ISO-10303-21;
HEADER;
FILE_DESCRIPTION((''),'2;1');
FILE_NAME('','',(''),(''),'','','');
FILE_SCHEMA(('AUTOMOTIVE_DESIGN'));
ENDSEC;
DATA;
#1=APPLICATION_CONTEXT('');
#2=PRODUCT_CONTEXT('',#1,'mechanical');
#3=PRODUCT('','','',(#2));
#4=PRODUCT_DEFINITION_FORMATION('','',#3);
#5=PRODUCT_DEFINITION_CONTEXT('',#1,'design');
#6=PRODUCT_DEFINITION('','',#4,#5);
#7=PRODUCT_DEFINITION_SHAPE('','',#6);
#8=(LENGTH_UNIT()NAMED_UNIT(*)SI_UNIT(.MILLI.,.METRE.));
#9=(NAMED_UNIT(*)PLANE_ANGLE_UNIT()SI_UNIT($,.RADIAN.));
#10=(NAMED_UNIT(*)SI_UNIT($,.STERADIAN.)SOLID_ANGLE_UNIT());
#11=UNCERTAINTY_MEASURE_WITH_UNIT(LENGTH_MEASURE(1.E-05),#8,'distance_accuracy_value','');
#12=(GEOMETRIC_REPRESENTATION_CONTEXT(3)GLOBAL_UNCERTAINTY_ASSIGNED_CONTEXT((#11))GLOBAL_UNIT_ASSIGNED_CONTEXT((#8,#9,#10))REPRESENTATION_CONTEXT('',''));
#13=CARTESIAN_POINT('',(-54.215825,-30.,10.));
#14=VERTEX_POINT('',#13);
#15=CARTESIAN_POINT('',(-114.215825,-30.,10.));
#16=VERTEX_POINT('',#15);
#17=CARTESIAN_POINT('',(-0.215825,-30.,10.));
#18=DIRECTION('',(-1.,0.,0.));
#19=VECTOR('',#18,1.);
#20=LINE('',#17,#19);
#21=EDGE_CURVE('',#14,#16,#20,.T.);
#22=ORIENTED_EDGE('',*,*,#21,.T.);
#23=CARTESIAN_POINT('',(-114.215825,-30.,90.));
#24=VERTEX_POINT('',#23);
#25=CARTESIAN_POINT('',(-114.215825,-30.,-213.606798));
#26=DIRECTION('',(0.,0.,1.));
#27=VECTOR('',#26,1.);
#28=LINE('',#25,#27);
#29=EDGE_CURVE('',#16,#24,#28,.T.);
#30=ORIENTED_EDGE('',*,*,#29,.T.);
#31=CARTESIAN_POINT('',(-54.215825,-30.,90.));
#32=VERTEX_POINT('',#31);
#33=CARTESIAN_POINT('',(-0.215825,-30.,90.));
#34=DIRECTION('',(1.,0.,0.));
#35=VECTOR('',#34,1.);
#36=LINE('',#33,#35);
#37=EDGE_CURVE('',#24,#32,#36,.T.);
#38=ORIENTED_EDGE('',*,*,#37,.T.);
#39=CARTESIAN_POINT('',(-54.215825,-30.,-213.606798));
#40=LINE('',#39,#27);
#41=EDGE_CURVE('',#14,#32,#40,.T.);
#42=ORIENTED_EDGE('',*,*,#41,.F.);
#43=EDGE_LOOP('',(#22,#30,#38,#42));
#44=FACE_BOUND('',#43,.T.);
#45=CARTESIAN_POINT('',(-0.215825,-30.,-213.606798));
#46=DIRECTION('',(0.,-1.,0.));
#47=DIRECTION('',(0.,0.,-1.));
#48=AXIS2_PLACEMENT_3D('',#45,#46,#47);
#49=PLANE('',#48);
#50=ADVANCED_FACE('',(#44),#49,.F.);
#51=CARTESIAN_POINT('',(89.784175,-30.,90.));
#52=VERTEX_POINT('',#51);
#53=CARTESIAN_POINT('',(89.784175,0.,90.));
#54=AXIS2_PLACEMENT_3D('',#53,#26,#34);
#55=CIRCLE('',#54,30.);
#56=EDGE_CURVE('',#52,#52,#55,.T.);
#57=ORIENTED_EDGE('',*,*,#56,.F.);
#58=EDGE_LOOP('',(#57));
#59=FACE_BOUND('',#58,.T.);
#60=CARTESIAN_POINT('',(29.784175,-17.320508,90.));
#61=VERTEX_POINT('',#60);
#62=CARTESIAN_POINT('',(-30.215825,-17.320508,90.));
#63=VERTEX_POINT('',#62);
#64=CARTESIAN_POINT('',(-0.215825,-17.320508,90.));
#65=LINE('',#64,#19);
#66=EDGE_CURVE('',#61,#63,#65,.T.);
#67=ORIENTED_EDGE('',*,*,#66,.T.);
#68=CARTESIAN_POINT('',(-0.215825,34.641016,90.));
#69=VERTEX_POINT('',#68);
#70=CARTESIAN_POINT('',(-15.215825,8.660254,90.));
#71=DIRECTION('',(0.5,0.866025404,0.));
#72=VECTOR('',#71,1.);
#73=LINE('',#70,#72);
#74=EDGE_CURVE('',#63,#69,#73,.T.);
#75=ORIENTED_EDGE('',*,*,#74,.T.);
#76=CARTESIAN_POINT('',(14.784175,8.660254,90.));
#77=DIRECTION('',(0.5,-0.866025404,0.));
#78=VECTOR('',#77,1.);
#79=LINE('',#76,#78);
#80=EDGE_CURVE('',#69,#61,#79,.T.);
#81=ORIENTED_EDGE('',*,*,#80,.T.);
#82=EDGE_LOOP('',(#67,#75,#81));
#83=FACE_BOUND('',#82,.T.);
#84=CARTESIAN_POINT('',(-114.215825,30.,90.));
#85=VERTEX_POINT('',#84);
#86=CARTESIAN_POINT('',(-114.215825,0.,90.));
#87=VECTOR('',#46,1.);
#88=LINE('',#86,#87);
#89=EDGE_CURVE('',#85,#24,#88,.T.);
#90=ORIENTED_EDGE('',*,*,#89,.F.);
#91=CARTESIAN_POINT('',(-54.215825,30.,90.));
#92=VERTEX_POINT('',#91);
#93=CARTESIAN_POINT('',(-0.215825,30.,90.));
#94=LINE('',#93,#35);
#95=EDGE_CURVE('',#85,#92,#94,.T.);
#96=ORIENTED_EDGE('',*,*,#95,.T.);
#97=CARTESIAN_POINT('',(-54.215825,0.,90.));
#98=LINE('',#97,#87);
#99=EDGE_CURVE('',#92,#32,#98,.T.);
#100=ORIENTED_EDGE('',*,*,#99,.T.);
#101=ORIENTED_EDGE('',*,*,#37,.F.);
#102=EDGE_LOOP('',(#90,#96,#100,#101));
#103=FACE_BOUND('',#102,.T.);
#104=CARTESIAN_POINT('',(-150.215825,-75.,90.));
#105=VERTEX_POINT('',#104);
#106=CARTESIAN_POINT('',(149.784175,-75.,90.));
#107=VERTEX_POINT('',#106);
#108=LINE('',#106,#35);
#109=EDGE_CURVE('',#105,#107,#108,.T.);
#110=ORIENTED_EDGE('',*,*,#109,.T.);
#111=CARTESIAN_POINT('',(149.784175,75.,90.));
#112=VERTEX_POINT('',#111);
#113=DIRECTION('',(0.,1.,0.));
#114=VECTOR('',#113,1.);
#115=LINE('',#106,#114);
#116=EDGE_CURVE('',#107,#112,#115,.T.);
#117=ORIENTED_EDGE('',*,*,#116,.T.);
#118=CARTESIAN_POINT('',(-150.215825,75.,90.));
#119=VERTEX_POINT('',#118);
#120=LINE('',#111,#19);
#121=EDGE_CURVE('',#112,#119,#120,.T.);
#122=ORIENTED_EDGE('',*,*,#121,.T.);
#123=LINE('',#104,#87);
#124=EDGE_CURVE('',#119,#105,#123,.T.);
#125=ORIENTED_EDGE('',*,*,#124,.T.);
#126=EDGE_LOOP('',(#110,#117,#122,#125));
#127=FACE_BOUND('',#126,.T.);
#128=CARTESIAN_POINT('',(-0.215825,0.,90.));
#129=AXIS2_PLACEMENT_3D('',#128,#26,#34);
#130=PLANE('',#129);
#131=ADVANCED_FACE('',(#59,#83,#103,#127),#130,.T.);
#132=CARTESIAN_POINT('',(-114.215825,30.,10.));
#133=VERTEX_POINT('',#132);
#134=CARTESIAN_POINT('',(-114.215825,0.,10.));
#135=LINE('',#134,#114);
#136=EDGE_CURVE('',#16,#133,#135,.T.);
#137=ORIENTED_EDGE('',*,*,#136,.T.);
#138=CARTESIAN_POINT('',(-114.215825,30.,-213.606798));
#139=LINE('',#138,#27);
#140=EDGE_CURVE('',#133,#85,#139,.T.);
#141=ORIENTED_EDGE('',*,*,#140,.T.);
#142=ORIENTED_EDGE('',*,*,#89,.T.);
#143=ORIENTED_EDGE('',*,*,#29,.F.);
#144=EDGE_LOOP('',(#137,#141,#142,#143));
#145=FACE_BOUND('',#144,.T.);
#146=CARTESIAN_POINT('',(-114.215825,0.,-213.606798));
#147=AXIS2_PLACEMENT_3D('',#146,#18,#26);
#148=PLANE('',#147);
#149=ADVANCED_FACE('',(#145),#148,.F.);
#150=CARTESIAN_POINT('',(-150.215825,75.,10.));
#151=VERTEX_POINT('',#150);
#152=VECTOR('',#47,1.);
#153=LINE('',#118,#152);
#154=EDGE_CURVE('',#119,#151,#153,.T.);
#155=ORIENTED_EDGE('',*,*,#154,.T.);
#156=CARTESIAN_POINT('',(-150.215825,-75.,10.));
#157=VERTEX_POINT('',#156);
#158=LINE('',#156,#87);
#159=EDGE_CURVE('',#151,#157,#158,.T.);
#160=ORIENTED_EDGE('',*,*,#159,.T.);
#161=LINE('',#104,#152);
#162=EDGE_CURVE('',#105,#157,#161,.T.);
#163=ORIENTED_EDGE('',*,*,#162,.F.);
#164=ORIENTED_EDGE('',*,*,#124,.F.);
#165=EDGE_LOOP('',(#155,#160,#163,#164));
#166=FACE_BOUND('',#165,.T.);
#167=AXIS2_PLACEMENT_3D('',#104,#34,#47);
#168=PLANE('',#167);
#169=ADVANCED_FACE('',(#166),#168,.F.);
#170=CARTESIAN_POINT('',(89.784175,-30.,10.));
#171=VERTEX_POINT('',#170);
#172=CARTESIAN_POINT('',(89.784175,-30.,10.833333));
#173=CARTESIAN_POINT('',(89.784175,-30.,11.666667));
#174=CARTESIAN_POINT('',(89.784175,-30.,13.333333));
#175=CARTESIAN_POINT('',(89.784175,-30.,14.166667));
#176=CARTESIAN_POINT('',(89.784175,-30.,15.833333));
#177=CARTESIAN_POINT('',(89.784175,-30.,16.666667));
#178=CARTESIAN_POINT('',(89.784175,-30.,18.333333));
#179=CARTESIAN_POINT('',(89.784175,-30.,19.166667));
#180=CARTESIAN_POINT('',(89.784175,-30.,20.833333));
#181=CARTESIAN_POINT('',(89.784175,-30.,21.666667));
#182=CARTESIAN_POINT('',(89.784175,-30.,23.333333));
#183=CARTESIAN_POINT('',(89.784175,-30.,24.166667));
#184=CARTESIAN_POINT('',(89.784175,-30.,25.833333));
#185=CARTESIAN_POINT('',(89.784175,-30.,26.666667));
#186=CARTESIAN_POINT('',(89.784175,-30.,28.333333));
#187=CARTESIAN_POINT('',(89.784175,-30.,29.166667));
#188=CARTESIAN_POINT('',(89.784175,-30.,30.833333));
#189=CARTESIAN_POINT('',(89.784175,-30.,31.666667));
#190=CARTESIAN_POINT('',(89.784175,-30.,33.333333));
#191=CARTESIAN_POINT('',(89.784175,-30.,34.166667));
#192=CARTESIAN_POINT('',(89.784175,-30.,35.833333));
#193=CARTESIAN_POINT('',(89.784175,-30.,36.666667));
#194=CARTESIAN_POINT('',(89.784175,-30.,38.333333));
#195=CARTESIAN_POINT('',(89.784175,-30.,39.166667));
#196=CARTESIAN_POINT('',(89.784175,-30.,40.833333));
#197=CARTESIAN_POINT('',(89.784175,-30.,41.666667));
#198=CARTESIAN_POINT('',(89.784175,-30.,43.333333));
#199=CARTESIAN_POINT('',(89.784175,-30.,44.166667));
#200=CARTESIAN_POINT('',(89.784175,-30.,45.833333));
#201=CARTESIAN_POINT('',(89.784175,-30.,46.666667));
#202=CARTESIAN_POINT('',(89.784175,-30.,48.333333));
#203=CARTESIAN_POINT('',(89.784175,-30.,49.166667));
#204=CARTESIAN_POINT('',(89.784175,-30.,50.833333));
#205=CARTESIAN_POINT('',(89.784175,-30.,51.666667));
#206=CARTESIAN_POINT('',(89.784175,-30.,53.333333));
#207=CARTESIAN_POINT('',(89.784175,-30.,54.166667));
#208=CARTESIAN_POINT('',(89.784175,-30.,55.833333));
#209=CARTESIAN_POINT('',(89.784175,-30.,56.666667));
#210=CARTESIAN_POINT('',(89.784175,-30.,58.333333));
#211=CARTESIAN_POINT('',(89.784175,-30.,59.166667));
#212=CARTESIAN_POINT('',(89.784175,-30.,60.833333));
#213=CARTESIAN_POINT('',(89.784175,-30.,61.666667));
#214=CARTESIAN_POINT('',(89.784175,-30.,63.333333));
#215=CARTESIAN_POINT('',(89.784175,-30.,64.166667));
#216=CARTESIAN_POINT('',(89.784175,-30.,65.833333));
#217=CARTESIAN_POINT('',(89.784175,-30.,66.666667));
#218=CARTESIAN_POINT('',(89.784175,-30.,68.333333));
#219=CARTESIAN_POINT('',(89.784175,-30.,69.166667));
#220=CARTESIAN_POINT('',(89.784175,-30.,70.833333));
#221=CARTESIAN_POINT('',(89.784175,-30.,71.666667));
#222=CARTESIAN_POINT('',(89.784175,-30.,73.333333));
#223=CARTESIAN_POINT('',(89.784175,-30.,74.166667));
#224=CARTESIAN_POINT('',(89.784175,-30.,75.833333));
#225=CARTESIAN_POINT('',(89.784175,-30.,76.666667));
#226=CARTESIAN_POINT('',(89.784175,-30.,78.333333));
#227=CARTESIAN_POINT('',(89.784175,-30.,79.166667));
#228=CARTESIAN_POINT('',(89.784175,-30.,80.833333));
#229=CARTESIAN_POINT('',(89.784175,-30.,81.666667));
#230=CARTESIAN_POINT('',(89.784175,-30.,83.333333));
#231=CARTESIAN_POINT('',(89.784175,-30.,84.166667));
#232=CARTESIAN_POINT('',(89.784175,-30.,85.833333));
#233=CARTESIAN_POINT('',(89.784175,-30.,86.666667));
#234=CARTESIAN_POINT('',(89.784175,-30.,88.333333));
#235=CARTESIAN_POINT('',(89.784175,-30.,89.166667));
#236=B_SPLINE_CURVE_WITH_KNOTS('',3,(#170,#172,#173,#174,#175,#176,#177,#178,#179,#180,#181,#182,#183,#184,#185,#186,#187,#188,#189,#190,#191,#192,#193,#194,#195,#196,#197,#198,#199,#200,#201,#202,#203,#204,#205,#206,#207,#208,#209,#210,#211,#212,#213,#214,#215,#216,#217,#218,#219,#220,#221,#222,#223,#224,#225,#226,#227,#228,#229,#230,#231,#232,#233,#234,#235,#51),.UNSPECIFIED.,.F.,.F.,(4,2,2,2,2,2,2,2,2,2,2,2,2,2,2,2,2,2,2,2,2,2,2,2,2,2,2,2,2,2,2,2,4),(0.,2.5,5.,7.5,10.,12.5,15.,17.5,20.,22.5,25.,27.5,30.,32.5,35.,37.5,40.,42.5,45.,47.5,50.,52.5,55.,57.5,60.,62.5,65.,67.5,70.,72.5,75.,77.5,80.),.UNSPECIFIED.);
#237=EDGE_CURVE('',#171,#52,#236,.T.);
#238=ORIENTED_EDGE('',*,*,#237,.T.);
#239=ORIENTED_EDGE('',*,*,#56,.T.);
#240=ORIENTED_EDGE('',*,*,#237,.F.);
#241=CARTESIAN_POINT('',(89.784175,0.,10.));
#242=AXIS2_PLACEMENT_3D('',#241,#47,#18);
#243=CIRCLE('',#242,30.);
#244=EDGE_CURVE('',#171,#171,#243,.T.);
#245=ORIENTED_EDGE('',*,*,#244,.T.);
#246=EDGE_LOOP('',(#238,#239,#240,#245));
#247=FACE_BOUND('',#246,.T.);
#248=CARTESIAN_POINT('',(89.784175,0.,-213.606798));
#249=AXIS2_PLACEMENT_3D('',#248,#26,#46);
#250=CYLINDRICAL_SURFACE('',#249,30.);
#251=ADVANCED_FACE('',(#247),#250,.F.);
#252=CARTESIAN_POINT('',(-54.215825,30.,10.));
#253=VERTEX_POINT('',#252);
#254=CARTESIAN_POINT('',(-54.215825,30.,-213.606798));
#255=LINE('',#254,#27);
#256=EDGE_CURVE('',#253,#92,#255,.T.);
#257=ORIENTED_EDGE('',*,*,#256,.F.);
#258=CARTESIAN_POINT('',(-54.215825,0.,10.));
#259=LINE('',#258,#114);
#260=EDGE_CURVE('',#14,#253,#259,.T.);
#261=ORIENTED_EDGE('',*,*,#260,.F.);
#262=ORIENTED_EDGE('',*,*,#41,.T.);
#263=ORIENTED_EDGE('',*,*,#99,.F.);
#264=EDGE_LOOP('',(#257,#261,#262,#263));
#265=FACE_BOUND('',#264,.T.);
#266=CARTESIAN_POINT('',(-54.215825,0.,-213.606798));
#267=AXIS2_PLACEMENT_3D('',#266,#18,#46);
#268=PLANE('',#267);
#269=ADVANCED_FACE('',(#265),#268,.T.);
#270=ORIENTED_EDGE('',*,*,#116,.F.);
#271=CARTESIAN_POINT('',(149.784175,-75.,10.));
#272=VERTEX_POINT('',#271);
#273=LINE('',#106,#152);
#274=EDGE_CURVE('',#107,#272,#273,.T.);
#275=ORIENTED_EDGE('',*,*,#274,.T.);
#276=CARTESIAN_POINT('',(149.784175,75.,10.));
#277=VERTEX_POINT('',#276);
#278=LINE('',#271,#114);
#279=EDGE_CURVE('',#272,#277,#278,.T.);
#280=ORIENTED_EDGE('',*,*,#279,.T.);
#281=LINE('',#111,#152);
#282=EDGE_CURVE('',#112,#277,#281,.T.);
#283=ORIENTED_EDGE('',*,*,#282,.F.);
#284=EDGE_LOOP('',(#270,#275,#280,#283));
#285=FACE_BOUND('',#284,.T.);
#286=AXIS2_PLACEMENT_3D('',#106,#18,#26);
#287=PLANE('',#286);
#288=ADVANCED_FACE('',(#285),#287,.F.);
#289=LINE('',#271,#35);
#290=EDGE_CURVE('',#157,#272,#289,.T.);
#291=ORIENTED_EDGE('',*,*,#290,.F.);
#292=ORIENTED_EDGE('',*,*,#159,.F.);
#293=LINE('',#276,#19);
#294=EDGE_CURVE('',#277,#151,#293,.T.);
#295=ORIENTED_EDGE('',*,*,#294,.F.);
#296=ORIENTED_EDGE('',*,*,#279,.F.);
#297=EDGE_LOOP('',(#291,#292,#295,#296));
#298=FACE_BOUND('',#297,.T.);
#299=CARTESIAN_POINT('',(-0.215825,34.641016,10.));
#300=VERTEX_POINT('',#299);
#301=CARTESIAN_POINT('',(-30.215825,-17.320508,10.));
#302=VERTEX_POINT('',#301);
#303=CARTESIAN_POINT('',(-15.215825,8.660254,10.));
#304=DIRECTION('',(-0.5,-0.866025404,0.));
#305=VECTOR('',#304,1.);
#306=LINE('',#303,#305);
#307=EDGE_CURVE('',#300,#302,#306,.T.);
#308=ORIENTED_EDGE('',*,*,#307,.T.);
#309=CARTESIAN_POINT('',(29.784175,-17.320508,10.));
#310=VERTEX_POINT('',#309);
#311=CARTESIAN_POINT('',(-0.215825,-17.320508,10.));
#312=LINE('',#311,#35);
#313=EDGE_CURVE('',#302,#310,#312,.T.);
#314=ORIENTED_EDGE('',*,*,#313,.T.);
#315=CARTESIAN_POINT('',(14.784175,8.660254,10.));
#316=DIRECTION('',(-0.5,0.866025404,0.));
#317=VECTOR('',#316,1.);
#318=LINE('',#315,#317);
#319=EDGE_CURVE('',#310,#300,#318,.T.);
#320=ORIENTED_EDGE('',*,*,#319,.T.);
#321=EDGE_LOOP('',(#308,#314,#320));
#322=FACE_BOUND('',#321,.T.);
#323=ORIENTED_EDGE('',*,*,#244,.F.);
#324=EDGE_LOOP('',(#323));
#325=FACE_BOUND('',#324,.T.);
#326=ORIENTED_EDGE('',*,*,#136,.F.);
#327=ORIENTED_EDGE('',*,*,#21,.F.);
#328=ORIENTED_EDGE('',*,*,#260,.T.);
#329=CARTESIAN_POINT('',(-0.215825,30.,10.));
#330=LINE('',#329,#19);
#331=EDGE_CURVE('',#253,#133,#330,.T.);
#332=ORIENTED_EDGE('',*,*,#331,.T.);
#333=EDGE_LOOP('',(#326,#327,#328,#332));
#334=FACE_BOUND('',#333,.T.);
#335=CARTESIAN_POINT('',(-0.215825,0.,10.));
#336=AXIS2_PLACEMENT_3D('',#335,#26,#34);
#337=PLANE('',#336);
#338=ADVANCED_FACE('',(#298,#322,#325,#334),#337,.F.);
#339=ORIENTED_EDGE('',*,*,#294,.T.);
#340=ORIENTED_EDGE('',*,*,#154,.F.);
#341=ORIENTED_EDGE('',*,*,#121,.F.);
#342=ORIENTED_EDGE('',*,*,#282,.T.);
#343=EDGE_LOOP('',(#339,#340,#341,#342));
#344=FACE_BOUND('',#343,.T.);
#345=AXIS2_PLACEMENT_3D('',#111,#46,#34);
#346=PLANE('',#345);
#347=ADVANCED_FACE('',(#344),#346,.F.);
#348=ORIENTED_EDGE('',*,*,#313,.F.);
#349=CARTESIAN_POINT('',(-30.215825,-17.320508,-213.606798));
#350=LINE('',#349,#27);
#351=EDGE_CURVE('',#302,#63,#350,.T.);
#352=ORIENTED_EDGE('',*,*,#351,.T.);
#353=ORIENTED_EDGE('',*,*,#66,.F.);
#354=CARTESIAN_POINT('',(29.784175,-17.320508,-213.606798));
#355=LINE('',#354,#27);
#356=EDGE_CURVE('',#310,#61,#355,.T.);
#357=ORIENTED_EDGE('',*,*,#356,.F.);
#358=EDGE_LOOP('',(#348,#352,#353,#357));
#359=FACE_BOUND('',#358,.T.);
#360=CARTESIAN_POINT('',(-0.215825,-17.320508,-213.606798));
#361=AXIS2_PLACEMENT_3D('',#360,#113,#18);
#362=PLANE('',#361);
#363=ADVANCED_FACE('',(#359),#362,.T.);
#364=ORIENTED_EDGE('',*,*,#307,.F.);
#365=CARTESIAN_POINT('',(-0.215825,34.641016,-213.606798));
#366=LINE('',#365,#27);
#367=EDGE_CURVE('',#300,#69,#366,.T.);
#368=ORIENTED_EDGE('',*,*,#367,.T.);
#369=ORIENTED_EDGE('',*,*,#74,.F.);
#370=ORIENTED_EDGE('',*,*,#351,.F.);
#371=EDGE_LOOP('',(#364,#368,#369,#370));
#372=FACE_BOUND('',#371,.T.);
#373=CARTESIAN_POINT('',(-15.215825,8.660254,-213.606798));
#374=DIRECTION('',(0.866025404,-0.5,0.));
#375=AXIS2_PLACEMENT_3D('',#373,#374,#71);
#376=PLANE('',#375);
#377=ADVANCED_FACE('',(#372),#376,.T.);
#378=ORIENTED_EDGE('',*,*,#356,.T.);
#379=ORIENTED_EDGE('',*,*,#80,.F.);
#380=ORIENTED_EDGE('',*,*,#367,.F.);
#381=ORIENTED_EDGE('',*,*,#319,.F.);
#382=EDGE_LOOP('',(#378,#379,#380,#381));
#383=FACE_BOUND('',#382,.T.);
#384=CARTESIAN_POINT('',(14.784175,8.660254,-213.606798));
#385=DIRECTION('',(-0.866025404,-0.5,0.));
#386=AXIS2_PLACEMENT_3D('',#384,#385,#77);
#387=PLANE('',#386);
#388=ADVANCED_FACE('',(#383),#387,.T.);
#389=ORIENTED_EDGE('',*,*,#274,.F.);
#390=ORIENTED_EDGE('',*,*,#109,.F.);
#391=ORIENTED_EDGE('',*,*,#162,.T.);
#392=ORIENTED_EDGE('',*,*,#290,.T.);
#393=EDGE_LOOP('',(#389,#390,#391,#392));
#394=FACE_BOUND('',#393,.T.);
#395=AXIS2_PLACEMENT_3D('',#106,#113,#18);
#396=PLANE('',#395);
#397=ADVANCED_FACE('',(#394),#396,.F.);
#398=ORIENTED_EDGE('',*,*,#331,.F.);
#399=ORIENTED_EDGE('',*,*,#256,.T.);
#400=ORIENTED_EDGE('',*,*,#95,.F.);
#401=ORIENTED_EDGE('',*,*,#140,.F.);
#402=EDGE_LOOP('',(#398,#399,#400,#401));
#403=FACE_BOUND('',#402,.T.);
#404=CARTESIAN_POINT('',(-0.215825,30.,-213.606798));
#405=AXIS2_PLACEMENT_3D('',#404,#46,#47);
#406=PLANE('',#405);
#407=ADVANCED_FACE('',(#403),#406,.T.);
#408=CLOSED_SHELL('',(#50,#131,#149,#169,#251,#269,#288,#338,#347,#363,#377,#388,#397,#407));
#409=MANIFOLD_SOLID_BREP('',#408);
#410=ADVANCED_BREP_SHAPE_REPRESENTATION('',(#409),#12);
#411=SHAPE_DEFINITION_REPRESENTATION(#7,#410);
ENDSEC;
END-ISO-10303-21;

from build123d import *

# Parameters (mm, degrees)
SKETCH1_W           = 250
SKETCH1_H           = 125
SKETCH1_W_2         = 230
SKETCH1_H_2         = 115
BOSS_EXTRUDE1_DEPTH = 100
SKETCH3_W           = 250
SKETCH3_H           = 125
SKETCH3_W_2         = 230
SKETCH3_H_2         = 115
SKETCH3_R           = 25
SKETCH3_W_3         = 50
SKETCH3_H_3         = 50
BOSS_EXTRUDE4_DEPTH = 100
SCALE2_SCALE_X      = 1.2
SCALE2_SCALE_Y      = 1.2
SCALE2_SCALE_Z      = 0.8


with BuildPart() as part:
    # Sketch1 → Boss-Extrude1 (new body)
    with BuildSketch(Plane.XY):
        Rectangle(SKETCH1_W, SKETCH1_H)
        Rectangle(SKETCH1_W_2, SKETCH1_H_2, mode=Mode.SUBTRACT)
    extrude(amount=BOSS_EXTRUDE1_DEPTH)

    # Sketch3 → Boss-Extrude4 (add)
    # profile 1 of 2: a face of its own
    with BuildSketch(Plane.XY.offset(100)):
        Rectangle(SKETCH3_W, SKETCH3_H)
        Rectangle(SKETCH3_W_2, SKETCH3_H_2, mode=Mode.SUBTRACT)
    # profile 2 of 2: a face of its own
    with BuildSketch(Plane.XY.offset(100)):
        Rectangle(SKETCH3_W_2, SKETCH3_H_2)
        with Locations((75, 0)):
            Circle(SKETCH3_R, mode=Mode.SUBTRACT)
        with Locations((-70, 0)):
            Rectangle(SKETCH3_W_3, SKETCH3_H_3, mode=Mode.SUBTRACT)
        Polygon((0, 28.867513459), (25, -14.43375673), (-25, -14.43375673), align=None, mode=Mode.SUBTRACT)
    extrude(amount=-BOSS_EXTRUDE4_DEPTH)


with BuildPart() as part_1:
    # Scale2: scaled about (1.079126738, 0, 50)
    add(part.part.scale((SCALE2_SCALE_X, SCALE2_SCALE_Y, SCALE2_SCALE_Z), about=(1.079126738, 0, 50)))


solid = part_1.part
